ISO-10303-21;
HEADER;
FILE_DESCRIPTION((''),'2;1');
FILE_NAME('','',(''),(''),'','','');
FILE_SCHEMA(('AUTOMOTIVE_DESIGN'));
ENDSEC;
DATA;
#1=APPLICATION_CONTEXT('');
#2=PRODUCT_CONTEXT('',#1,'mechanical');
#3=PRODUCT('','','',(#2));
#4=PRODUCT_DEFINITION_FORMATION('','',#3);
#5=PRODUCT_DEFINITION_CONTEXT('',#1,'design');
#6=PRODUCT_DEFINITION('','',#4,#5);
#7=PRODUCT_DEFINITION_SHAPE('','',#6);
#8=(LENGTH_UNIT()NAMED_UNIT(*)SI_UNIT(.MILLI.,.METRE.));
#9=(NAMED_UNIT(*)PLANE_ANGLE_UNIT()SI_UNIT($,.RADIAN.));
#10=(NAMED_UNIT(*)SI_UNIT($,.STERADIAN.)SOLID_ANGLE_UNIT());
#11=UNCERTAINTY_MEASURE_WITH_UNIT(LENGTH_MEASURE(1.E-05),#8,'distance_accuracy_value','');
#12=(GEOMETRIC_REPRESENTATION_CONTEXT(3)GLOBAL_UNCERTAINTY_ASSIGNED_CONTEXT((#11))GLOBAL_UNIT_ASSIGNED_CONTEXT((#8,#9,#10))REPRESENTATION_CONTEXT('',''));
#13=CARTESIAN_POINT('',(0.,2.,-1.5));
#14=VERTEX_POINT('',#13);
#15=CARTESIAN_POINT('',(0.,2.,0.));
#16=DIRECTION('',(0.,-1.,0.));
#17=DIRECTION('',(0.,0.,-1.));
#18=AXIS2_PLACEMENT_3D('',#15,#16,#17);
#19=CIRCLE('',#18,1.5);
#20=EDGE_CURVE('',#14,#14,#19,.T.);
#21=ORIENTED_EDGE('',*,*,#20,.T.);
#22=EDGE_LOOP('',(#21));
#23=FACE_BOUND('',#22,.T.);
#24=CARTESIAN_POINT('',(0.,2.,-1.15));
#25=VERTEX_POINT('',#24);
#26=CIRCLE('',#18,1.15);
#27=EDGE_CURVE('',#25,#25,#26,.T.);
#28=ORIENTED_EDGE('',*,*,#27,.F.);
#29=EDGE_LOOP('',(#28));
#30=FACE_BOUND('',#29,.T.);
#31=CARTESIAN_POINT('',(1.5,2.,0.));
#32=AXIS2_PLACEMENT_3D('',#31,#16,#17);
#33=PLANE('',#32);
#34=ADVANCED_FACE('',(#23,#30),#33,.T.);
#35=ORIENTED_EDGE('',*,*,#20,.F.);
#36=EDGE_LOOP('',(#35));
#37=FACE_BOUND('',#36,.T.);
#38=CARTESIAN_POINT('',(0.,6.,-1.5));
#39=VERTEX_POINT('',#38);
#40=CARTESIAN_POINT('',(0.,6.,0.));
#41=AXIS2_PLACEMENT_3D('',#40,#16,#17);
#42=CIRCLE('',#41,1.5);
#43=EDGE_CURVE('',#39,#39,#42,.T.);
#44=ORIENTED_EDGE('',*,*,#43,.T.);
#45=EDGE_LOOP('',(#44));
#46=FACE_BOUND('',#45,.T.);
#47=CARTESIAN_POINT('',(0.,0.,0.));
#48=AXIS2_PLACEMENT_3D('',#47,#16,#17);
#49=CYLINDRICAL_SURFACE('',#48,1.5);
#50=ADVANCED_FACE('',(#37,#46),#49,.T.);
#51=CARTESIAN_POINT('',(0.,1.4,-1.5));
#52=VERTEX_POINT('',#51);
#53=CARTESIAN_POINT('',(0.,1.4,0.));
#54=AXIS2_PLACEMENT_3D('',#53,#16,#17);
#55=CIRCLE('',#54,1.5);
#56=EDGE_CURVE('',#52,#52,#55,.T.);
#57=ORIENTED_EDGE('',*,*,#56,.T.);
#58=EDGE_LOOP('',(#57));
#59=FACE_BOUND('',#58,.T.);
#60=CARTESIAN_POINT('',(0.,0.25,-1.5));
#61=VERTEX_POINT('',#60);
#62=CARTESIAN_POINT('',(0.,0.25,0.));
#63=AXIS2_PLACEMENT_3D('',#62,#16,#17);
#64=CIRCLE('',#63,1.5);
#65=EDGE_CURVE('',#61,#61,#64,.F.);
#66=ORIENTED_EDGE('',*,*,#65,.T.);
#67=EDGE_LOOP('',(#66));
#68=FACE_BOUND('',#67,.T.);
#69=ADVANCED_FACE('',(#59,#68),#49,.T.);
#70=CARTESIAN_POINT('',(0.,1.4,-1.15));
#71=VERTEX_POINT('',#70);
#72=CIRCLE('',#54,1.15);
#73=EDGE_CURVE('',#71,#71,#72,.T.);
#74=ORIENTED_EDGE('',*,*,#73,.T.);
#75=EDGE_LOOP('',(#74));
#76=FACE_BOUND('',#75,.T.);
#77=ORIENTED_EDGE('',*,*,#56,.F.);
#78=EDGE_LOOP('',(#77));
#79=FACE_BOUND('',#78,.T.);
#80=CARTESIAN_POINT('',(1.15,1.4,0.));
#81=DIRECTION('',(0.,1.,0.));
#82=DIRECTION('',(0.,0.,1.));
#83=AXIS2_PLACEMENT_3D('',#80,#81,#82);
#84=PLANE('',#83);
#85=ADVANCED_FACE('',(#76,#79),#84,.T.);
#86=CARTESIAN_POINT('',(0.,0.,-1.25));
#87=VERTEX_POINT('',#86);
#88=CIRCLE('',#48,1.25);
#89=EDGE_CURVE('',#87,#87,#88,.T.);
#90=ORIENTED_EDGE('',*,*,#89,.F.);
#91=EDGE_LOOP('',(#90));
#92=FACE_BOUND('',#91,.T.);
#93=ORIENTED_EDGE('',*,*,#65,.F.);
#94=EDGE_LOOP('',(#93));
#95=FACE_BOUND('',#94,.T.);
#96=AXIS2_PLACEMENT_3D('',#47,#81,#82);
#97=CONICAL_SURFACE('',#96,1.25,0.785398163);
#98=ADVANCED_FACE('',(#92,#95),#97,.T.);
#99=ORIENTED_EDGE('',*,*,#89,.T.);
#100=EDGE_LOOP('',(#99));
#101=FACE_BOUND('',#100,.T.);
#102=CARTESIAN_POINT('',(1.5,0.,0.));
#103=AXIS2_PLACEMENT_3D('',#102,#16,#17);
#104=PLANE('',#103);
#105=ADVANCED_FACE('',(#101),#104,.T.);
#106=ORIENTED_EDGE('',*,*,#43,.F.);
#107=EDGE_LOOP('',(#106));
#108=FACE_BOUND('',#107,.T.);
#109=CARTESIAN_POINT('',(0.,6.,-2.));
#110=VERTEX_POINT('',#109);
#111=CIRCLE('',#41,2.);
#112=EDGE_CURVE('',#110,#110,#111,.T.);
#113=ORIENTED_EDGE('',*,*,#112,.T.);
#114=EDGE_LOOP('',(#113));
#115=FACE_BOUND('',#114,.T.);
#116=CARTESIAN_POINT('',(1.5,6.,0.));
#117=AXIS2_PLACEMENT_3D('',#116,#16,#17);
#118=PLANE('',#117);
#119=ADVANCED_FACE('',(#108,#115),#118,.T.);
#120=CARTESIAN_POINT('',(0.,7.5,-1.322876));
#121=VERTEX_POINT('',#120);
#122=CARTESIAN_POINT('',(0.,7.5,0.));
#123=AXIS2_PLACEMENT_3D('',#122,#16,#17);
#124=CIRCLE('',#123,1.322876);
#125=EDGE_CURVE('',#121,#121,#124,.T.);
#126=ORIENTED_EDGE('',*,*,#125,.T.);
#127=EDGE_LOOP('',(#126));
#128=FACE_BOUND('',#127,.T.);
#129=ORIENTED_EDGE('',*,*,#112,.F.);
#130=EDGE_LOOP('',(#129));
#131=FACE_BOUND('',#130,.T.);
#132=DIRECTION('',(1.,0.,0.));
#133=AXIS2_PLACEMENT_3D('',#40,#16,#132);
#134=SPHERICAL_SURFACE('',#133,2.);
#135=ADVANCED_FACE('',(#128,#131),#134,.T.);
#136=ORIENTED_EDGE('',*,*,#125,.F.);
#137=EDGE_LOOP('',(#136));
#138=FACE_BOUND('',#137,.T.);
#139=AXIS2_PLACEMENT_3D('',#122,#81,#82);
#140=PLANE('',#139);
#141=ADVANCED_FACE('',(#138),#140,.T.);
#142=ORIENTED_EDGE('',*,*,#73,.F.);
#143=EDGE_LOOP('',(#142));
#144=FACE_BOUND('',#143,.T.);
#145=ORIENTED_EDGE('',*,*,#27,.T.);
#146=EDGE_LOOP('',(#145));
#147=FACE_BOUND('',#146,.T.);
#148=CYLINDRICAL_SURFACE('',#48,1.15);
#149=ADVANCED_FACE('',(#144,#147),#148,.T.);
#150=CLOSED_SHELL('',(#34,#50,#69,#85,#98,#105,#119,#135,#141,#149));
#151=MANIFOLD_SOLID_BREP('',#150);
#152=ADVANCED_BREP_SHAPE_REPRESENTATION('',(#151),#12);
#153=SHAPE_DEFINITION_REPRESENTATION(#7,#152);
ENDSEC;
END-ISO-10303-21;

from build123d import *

# Parameters (mm, degrees)
CHAMFER1_SIZE = 0.25


with BuildPart() as part:
    # Sketch1 → Revolve2 (revolve)
    with BuildSketch(Plane.XY, mode=Mode.PRIVATE) as revolve2_sk:
        with BuildLine():
            Line((0, 0), (0, 6))
            Line((0, 6), (0, 7.5))
            Line((0, 7.5), (1.322875656, 7.5))
            ThreePointArc((1.322875656, 7.5), (1.822875656, 6.822875656), (2, 6))
            Line((2, 6), (1.5, 6))
            Line((1.5, 6), (1.5, 2))
            Line((1.5, 2), (1.15, 2))
            Line((1.15, 2), (1.15, 1.4))
            Line((1.15, 1.4), (1.5, 1.4))
            Line((1.5, 1.4), (1.5, 0))
            Line((1.5, 0), (0, 0))
        make_face()
    revolve(revolve2_sk.sketch.rotate(Axis((0, 0, 0), (0, 1, 0)), 90), axis=Axis((0, 0, 0), (0, 1, 0)))

    # Chamfer1
    chamfer1_edges = [part.edges().sort_by_distance(p)[0] for p in [
        (0, 0, 1.5),
    ]]
    chamfer(chamfer1_edges, length=CHAMFER1_SIZE)


solid = part.part
